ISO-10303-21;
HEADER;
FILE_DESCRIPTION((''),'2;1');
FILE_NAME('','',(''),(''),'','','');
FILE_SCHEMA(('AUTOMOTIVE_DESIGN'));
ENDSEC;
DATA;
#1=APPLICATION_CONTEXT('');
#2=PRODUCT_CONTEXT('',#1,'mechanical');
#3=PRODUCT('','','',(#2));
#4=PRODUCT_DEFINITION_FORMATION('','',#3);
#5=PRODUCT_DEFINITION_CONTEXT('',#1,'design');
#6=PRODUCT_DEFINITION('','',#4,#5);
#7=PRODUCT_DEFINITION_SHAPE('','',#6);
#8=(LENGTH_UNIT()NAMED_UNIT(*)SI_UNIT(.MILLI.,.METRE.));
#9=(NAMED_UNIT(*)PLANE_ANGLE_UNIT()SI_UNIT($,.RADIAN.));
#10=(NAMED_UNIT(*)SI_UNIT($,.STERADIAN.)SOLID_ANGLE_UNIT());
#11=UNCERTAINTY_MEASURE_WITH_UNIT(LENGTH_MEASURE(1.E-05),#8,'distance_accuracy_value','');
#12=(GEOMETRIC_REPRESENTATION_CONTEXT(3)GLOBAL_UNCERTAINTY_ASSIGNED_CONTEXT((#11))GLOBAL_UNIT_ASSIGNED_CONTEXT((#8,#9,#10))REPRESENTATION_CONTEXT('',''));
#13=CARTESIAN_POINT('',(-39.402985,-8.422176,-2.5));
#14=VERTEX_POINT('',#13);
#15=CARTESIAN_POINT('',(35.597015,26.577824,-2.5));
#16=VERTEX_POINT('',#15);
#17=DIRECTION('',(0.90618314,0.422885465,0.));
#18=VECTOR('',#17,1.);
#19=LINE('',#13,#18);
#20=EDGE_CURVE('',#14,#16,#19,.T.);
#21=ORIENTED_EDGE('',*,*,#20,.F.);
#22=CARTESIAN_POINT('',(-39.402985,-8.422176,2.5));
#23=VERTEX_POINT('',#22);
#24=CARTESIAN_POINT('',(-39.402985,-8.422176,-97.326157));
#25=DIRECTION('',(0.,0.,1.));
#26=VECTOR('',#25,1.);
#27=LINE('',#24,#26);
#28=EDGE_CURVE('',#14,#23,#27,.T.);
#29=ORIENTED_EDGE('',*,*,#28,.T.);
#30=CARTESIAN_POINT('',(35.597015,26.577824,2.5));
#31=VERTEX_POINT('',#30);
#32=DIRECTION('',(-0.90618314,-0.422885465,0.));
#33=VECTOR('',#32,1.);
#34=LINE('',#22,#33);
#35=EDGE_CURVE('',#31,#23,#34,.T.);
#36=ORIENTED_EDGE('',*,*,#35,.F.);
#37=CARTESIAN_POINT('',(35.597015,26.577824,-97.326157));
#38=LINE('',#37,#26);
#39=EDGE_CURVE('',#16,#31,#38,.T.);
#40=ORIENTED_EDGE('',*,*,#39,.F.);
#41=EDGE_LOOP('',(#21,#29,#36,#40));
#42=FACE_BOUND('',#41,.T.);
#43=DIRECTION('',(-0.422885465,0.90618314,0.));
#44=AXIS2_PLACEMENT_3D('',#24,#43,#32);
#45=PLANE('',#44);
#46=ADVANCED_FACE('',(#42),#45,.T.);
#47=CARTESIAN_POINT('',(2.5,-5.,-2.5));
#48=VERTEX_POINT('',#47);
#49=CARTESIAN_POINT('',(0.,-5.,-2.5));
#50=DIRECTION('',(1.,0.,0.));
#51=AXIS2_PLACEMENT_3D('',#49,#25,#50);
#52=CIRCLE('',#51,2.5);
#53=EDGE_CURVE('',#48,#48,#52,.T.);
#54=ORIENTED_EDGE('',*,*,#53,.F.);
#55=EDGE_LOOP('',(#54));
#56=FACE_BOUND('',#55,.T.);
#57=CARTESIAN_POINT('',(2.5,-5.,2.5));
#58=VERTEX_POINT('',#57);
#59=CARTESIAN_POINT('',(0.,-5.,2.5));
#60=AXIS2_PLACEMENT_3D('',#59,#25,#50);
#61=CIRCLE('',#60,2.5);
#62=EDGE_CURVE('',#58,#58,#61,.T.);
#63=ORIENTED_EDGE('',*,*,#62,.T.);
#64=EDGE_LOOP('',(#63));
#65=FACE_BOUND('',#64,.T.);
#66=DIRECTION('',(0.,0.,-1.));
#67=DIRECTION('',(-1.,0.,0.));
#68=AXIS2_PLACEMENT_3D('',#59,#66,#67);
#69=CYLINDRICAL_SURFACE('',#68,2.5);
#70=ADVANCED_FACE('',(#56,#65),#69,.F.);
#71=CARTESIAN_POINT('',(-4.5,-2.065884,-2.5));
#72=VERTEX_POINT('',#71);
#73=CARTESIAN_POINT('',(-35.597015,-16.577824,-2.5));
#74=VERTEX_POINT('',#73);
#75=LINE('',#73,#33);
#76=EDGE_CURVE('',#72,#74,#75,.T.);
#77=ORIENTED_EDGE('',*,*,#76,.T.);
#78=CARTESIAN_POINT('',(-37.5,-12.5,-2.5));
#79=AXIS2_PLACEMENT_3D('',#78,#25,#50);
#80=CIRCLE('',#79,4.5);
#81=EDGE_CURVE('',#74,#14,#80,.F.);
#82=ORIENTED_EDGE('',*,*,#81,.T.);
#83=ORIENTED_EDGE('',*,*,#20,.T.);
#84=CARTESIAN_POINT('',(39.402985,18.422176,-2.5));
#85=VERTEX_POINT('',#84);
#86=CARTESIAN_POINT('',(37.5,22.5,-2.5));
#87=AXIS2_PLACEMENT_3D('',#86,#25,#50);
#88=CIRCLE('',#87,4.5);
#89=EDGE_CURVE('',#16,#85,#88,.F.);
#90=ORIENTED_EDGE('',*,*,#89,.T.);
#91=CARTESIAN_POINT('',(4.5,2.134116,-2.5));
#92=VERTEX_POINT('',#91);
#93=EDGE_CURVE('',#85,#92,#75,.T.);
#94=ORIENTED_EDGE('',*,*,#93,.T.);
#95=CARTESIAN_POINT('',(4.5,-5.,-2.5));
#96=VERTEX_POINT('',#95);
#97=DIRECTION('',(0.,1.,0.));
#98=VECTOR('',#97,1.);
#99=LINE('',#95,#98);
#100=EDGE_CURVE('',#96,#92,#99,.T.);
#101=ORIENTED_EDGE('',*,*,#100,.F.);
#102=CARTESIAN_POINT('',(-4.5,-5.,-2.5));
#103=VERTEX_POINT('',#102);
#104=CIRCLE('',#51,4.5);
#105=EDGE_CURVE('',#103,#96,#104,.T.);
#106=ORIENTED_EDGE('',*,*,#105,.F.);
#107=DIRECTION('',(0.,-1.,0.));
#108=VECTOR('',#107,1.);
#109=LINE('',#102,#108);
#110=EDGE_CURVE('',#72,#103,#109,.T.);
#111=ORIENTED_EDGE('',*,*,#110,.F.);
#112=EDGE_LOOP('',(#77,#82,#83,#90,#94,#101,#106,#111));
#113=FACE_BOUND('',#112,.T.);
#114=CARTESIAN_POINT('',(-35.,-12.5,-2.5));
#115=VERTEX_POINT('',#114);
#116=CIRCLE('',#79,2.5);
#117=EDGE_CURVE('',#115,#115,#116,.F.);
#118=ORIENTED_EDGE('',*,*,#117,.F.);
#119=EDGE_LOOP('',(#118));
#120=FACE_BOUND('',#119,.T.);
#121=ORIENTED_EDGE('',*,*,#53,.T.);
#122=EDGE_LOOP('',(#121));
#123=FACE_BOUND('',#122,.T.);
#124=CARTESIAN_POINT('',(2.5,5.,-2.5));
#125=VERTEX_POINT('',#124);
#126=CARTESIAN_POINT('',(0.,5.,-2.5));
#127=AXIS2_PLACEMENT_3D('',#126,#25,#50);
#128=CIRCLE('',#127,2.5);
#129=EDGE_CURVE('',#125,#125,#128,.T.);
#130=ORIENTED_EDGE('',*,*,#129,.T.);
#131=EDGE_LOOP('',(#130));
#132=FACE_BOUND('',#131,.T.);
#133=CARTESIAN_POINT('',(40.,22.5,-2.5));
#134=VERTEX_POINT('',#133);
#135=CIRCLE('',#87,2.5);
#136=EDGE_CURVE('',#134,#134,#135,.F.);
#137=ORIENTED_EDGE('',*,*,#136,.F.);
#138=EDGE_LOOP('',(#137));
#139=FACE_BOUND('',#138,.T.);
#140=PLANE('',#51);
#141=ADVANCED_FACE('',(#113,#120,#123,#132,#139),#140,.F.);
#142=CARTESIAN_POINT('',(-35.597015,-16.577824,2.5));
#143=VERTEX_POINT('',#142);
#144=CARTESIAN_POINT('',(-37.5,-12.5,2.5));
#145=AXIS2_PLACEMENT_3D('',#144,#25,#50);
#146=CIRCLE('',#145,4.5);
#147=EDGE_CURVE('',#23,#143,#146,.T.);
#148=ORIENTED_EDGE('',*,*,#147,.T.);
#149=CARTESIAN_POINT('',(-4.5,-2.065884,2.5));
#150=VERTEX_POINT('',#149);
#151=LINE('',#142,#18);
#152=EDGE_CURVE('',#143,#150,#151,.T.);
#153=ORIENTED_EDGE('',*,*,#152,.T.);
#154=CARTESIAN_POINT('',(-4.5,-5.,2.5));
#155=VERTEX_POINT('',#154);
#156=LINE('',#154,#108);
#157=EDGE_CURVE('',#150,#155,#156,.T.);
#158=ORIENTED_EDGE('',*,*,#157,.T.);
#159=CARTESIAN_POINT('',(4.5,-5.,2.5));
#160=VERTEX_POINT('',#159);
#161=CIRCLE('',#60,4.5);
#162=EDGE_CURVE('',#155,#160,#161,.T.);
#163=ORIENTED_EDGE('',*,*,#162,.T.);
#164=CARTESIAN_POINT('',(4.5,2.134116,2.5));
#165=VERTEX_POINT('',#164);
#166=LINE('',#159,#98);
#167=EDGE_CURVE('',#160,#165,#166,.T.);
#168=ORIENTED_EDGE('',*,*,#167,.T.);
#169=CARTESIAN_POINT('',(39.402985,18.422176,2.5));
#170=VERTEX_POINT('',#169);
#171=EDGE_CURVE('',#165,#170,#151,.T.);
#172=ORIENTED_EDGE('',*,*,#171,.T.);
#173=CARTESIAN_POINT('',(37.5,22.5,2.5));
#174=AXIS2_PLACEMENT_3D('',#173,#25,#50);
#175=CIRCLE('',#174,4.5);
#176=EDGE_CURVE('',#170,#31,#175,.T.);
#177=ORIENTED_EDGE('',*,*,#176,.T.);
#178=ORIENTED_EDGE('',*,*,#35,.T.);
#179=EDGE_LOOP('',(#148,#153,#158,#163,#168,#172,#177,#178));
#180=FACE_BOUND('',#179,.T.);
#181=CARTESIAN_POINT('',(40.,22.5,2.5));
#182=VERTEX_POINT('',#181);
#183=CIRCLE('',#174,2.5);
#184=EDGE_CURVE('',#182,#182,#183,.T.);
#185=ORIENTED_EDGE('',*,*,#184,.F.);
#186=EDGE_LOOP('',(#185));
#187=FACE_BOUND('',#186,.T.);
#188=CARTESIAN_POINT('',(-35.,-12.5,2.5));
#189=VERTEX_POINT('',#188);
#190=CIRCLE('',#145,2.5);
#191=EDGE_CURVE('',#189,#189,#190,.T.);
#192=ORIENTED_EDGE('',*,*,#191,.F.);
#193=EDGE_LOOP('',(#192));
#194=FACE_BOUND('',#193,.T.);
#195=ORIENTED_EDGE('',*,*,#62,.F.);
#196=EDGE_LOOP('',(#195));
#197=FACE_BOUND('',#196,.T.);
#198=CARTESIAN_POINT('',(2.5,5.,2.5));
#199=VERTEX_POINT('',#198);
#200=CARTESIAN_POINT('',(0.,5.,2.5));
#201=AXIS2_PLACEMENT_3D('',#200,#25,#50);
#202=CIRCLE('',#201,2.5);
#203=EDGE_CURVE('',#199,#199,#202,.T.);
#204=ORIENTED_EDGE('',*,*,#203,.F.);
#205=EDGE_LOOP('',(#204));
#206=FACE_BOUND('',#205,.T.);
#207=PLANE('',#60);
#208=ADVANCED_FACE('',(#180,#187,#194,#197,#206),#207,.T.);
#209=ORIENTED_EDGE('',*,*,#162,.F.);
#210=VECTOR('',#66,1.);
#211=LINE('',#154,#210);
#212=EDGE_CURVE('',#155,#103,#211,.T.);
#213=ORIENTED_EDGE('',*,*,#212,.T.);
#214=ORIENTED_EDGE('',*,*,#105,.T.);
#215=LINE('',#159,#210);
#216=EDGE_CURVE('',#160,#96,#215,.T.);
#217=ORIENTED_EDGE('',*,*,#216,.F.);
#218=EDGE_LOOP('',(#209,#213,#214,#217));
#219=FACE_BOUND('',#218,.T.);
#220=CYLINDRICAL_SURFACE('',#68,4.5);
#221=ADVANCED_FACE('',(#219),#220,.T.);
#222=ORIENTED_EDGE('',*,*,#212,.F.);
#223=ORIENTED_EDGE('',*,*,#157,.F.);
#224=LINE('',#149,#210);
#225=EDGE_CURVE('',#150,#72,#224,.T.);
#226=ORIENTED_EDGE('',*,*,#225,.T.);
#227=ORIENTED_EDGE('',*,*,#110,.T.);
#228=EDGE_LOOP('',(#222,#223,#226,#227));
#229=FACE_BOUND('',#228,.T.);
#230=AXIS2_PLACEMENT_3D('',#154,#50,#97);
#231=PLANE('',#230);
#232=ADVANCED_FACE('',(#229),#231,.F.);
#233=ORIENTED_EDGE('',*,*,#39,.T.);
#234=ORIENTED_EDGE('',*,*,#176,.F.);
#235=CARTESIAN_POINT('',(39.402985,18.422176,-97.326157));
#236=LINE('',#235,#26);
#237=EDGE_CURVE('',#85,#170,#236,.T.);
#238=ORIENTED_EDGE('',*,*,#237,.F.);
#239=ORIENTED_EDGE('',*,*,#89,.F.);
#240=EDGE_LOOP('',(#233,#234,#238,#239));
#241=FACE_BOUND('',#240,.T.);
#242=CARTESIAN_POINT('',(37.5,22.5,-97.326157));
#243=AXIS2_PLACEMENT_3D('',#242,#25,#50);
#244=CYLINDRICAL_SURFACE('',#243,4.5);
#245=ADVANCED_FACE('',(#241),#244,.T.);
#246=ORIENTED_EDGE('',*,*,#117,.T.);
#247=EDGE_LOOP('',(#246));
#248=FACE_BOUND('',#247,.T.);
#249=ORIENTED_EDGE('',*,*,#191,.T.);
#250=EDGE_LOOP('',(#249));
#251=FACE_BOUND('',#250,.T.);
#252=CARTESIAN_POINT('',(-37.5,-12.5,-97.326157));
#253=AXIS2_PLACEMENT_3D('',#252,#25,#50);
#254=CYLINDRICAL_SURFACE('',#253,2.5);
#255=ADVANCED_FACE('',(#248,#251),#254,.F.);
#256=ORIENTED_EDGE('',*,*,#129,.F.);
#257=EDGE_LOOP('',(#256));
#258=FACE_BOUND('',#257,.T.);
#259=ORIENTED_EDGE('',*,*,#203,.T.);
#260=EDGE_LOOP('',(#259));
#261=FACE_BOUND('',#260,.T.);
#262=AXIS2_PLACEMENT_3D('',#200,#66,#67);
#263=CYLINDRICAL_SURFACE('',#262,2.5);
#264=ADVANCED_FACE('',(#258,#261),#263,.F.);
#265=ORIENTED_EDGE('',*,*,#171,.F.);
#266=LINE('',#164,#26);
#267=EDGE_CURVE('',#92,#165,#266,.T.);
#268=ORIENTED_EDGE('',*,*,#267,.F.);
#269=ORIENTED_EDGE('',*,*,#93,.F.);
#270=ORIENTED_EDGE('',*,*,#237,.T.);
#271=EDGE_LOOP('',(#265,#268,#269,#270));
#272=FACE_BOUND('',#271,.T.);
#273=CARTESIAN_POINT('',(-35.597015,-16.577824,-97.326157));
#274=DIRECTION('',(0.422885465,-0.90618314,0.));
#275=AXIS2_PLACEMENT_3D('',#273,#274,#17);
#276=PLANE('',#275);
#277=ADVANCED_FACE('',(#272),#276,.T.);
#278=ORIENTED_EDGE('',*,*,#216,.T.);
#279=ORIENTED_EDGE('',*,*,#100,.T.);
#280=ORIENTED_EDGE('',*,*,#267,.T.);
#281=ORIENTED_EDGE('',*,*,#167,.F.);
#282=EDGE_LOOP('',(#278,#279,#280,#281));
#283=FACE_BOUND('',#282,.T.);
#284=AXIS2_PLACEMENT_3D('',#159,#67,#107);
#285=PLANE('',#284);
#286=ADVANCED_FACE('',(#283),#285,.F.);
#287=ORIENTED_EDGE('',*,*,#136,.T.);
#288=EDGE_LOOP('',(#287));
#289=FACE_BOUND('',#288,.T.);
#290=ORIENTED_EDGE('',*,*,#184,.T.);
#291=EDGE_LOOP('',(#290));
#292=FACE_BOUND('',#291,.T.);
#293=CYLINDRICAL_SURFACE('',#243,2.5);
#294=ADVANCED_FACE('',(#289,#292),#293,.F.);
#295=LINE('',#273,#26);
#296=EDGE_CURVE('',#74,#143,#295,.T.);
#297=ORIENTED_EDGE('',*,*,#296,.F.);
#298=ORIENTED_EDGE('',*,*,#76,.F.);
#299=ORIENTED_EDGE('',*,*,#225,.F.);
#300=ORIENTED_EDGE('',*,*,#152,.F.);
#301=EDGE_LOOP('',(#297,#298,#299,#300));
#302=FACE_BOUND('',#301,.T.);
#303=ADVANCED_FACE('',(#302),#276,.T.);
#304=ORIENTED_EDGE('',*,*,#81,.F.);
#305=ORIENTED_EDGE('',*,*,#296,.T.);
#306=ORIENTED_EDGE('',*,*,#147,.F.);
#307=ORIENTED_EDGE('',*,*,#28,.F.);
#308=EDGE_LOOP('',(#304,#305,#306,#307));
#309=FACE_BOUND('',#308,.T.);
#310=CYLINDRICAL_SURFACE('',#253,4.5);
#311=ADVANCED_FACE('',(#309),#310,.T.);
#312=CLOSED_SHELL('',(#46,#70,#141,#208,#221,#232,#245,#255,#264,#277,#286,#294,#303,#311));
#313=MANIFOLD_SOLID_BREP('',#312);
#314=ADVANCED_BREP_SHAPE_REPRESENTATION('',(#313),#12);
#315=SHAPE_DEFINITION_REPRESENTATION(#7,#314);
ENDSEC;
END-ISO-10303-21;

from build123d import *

# Parameters (mm, degrees)
SKETCH_1_R      = 2.5
EXTRUDE_1_DEPTH = 2.5
SKETCH_2_R      = 2.5
EXTRUDE_2_DEPTH = 5


with BuildPart() as part:
    # 草图1 → 凸台-拉伸1 (new body, symmetric)
    with BuildSketch(Plane.XY):
        with BuildLine():
            Line((-4.5, -5), (-4.5, 5))
            ThreePointArc((-4.5, 5), (0, 9.5), (4.5, 5))
            Line((4.5, 5), (4.5, -5))
            ThreePointArc((4.5, -5), (0, -9.5), (-4.5, -5))
        make_face()
        with Locations((0, 5)):
            Circle(SKETCH_1_R, mode=Mode.SUBTRACT)
        with Locations((0, -5)):
            Circle(SKETCH_1_R, mode=Mode.SUBTRACT)
    extrude(amount=EXTRUDE_1_DEPTH, both=True)

    # 草图2 → 凸台-拉伸2 (add)
    with BuildSketch(Plane.XY.offset(2.5)):
        with BuildLine():
            Line((-39.402984594, -8.42217587), (35.597015406, 26.57782413))
            ThreePointArc((35.597015406, 26.57782413), (41.57782413, 24.402984594), (39.402984594, 18.42217587))
            Line((39.402984594, 18.42217587), (-35.597015406, -16.57782413))
            ThreePointArc((-35.597015406, -16.57782413), (-41.57782413, -14.402984594), (-39.402984594, -8.42217587))
        make_face()
        with Locations((-37.5, -12.5)):
            Circle(SKETCH_2_R, mode=Mode.SUBTRACT)
        with Locations((37.5, 22.5)):
            Circle(SKETCH_2_R, mode=Mode.SUBTRACT)
        with Locations((0, 5)):
            Circle(SKETCH_2_R, mode=Mode.SUBTRACT)
    extrude(amount=-EXTRUDE_2_DEPTH)


solid = part.part
